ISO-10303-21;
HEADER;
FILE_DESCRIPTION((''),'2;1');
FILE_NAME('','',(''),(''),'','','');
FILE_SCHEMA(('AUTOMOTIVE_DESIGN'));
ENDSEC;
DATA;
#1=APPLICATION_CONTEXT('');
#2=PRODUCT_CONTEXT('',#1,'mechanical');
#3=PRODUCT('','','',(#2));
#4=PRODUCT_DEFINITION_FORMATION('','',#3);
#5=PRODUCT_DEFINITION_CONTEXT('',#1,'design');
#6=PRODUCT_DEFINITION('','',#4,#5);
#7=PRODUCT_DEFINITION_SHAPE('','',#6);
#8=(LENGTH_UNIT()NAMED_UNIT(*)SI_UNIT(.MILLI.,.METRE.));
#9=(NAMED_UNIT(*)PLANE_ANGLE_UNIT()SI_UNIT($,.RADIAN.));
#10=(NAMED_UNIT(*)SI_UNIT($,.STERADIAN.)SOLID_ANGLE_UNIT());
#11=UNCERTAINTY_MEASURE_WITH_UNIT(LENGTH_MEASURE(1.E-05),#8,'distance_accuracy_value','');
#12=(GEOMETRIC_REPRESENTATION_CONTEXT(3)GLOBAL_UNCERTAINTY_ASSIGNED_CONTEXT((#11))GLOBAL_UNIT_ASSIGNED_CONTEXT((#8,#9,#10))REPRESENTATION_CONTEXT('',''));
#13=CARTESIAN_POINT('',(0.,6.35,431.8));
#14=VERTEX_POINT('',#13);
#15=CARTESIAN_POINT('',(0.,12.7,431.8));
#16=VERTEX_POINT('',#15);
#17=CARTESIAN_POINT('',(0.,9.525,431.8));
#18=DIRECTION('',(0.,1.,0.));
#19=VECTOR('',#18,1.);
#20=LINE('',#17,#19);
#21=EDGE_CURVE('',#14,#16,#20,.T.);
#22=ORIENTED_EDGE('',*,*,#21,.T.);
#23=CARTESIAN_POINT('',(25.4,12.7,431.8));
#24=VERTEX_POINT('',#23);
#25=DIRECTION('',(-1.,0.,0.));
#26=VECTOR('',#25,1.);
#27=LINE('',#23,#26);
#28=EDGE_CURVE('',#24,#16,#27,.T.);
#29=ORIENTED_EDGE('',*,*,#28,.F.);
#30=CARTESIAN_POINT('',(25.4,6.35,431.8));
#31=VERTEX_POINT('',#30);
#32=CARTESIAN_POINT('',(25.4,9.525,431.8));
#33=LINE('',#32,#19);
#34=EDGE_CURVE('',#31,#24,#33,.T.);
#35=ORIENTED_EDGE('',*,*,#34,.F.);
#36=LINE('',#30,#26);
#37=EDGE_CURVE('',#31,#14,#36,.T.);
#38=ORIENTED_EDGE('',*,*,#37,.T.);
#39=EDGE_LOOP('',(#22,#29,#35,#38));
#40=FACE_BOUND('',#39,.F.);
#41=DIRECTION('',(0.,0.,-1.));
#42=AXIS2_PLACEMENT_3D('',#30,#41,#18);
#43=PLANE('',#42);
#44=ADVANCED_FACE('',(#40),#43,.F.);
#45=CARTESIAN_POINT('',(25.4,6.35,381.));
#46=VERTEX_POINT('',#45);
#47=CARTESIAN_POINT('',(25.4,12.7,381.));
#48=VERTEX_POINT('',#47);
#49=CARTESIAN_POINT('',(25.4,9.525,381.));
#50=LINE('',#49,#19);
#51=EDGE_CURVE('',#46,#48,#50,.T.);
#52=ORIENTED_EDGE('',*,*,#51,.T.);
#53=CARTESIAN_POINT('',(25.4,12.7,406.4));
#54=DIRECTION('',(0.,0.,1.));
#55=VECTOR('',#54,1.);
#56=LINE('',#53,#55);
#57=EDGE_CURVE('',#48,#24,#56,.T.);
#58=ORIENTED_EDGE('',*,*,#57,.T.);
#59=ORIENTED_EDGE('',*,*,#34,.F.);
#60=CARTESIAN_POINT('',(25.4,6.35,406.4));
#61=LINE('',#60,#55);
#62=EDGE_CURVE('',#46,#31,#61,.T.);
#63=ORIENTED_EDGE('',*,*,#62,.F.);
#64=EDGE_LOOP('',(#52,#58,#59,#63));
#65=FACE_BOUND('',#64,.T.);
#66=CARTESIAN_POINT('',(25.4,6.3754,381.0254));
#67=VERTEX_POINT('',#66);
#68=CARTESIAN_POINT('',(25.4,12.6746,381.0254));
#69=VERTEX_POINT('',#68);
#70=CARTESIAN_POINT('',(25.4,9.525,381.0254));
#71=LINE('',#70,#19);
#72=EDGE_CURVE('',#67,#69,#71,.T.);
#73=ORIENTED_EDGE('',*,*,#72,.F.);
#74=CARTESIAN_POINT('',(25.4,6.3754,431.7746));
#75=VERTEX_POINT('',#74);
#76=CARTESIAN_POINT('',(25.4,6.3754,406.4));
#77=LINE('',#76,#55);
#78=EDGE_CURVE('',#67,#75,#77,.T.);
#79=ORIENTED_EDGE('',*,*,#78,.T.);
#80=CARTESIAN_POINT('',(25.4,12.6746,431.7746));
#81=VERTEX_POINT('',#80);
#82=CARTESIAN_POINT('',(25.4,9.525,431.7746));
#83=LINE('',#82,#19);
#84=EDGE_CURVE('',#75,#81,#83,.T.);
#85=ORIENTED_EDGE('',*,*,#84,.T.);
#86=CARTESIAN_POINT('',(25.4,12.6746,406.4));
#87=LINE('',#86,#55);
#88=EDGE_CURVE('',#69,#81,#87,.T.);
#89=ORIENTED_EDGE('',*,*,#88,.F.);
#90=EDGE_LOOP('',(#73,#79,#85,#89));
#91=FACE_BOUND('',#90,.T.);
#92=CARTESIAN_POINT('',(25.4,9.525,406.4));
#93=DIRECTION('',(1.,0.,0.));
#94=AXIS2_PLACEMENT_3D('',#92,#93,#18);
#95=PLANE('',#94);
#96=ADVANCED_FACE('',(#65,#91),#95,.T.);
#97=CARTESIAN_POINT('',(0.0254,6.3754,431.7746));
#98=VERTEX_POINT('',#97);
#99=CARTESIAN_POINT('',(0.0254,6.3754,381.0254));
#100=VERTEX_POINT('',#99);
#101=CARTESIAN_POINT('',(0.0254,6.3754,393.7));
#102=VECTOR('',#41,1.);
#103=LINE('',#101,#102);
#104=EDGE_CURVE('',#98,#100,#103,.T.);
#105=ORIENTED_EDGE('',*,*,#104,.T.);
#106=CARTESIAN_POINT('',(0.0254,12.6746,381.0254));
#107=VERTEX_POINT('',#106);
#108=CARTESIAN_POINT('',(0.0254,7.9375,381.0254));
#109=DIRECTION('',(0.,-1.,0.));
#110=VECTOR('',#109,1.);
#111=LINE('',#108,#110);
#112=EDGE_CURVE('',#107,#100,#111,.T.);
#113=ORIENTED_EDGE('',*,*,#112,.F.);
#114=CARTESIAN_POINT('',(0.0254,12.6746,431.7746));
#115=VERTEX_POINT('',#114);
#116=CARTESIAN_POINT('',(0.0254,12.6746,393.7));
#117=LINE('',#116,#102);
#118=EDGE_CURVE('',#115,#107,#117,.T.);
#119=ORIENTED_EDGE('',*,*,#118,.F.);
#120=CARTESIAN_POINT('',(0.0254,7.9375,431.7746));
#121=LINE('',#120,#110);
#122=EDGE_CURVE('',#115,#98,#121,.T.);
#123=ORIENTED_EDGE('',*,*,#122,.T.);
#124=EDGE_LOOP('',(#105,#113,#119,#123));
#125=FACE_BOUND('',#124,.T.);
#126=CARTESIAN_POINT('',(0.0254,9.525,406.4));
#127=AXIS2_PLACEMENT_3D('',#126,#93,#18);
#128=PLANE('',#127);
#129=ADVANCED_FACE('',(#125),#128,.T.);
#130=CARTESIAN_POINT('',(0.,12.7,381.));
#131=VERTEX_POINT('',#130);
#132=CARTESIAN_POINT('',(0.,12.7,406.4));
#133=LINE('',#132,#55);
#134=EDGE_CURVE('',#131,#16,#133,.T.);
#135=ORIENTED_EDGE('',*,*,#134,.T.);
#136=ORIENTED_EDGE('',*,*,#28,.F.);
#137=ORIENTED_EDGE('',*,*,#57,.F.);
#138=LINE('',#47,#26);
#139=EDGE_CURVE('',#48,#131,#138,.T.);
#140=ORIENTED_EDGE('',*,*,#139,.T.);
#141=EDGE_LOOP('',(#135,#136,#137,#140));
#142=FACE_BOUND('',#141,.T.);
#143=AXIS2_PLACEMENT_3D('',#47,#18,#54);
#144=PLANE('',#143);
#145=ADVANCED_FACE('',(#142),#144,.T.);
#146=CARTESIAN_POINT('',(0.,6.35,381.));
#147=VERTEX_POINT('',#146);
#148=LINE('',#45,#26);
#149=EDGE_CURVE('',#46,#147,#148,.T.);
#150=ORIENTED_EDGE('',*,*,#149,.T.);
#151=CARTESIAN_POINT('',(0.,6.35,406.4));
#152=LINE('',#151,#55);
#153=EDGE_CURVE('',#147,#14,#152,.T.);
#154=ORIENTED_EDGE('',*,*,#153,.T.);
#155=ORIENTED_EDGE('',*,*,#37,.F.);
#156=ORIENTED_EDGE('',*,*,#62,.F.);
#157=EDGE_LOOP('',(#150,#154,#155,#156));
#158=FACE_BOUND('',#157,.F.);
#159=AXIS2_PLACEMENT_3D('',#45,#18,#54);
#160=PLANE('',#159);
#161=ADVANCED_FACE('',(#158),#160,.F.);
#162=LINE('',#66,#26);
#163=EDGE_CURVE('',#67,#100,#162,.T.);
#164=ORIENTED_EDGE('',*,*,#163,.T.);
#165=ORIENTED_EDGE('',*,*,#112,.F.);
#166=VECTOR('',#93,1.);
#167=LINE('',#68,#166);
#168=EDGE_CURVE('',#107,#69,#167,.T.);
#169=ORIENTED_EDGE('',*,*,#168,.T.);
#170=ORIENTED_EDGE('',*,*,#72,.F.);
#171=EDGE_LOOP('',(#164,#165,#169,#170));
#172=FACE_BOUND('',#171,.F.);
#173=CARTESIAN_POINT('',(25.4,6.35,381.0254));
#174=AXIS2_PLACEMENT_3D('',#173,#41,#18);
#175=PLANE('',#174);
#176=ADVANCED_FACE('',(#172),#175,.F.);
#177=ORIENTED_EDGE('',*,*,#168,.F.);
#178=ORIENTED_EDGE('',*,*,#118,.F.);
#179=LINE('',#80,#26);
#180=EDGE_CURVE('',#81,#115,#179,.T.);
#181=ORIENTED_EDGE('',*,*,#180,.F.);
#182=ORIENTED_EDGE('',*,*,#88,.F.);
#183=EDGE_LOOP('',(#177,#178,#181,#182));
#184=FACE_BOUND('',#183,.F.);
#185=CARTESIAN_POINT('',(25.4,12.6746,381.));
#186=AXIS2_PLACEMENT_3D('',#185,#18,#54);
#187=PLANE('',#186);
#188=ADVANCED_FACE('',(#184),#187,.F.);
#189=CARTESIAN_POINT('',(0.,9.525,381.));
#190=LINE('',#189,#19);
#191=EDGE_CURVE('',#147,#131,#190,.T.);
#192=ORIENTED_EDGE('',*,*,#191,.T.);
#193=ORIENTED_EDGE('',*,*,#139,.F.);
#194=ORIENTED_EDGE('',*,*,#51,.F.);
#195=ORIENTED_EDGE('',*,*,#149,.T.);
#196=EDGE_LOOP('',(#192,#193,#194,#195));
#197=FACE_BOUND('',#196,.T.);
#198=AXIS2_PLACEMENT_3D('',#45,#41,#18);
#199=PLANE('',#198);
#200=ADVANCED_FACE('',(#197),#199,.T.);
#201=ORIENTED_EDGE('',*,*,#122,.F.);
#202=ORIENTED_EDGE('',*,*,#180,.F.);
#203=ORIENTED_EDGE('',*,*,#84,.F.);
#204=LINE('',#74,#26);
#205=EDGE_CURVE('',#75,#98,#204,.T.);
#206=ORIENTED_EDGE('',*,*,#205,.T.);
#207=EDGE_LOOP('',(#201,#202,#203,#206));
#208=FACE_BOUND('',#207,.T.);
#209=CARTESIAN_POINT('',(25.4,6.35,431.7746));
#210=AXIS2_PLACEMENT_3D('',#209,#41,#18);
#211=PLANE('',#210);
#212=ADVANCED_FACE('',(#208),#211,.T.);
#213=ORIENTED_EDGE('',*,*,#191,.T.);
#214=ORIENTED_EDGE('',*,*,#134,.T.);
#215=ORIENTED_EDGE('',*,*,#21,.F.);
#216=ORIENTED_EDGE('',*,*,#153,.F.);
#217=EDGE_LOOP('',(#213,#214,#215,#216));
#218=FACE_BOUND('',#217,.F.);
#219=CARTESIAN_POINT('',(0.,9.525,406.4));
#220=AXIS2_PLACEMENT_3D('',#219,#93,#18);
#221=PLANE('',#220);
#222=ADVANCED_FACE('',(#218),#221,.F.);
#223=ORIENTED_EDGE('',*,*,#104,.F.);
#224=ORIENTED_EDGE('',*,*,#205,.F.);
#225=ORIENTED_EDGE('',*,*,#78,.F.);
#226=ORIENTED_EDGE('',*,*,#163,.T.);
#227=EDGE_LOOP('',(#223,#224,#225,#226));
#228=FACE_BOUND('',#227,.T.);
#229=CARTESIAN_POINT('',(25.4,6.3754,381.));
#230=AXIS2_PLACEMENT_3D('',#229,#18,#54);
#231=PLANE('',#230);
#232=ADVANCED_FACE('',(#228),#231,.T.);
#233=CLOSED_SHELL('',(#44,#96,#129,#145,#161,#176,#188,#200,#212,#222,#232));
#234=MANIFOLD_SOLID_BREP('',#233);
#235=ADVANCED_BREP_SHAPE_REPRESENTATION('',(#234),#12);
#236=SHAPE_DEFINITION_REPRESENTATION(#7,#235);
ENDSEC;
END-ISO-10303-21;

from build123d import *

# Parameters (mm, degrees)
F0_W     = 609.6
F0_H     = 381
F1_DEPTH = 19.05
F2_SIZE2 = 27.2352378905
F2_SIZE  = 12.7
F3_W     = 50.8
F3_H     = 889
F4_DEPTH = 25.4
F5_W     = 6.35
F5_H     = 50.8
F6_DEPTH = 25.4
F7_T     = -0.0254


with BuildPart() as f1:
    # F0 (on Top) → F1 (new body)
    with BuildSketch(Plane.XY):
        Rectangle(F0_W, F0_H)
    extrude(amount=F1_DEPTH)

    # F2
    f2_edges = [f1.edges().sort_by_distance(p)[0] for p in [
        (0, -190.5, 0),
        (304.8, 0, 0),
        (0, 190.5, 0),
        (-304.8, 0, 0),
    ]]
    chamfer(f2_edges, length=F2_SIZE, length2=F2_SIZE2)

    # F3 (on Right) → F4 (join, symmetric)
    with BuildSketch(Plane.YZ):
        Rectangle(F3_W, F3_H)
    extrude(amount=F4_DEPTH, both=True)

    # F5 (on face) → F6 (intersect)
    with BuildSketch(Plane.YZ.offset(25.4)):
        with Locations((9.525, 406.4)):
            Rectangle(F5_W, F5_H)
    extrude(amount=-F6_DEPTH, mode=Mode.INTERSECT)

    # F7
    f7_openings = [f1.faces().sort_by_distance(p)[0] for p in [
        (25.4, 9.525, 406.4),
    ]]
    offset(amount=F7_T, openings=f7_openings)


solid = f1.part
